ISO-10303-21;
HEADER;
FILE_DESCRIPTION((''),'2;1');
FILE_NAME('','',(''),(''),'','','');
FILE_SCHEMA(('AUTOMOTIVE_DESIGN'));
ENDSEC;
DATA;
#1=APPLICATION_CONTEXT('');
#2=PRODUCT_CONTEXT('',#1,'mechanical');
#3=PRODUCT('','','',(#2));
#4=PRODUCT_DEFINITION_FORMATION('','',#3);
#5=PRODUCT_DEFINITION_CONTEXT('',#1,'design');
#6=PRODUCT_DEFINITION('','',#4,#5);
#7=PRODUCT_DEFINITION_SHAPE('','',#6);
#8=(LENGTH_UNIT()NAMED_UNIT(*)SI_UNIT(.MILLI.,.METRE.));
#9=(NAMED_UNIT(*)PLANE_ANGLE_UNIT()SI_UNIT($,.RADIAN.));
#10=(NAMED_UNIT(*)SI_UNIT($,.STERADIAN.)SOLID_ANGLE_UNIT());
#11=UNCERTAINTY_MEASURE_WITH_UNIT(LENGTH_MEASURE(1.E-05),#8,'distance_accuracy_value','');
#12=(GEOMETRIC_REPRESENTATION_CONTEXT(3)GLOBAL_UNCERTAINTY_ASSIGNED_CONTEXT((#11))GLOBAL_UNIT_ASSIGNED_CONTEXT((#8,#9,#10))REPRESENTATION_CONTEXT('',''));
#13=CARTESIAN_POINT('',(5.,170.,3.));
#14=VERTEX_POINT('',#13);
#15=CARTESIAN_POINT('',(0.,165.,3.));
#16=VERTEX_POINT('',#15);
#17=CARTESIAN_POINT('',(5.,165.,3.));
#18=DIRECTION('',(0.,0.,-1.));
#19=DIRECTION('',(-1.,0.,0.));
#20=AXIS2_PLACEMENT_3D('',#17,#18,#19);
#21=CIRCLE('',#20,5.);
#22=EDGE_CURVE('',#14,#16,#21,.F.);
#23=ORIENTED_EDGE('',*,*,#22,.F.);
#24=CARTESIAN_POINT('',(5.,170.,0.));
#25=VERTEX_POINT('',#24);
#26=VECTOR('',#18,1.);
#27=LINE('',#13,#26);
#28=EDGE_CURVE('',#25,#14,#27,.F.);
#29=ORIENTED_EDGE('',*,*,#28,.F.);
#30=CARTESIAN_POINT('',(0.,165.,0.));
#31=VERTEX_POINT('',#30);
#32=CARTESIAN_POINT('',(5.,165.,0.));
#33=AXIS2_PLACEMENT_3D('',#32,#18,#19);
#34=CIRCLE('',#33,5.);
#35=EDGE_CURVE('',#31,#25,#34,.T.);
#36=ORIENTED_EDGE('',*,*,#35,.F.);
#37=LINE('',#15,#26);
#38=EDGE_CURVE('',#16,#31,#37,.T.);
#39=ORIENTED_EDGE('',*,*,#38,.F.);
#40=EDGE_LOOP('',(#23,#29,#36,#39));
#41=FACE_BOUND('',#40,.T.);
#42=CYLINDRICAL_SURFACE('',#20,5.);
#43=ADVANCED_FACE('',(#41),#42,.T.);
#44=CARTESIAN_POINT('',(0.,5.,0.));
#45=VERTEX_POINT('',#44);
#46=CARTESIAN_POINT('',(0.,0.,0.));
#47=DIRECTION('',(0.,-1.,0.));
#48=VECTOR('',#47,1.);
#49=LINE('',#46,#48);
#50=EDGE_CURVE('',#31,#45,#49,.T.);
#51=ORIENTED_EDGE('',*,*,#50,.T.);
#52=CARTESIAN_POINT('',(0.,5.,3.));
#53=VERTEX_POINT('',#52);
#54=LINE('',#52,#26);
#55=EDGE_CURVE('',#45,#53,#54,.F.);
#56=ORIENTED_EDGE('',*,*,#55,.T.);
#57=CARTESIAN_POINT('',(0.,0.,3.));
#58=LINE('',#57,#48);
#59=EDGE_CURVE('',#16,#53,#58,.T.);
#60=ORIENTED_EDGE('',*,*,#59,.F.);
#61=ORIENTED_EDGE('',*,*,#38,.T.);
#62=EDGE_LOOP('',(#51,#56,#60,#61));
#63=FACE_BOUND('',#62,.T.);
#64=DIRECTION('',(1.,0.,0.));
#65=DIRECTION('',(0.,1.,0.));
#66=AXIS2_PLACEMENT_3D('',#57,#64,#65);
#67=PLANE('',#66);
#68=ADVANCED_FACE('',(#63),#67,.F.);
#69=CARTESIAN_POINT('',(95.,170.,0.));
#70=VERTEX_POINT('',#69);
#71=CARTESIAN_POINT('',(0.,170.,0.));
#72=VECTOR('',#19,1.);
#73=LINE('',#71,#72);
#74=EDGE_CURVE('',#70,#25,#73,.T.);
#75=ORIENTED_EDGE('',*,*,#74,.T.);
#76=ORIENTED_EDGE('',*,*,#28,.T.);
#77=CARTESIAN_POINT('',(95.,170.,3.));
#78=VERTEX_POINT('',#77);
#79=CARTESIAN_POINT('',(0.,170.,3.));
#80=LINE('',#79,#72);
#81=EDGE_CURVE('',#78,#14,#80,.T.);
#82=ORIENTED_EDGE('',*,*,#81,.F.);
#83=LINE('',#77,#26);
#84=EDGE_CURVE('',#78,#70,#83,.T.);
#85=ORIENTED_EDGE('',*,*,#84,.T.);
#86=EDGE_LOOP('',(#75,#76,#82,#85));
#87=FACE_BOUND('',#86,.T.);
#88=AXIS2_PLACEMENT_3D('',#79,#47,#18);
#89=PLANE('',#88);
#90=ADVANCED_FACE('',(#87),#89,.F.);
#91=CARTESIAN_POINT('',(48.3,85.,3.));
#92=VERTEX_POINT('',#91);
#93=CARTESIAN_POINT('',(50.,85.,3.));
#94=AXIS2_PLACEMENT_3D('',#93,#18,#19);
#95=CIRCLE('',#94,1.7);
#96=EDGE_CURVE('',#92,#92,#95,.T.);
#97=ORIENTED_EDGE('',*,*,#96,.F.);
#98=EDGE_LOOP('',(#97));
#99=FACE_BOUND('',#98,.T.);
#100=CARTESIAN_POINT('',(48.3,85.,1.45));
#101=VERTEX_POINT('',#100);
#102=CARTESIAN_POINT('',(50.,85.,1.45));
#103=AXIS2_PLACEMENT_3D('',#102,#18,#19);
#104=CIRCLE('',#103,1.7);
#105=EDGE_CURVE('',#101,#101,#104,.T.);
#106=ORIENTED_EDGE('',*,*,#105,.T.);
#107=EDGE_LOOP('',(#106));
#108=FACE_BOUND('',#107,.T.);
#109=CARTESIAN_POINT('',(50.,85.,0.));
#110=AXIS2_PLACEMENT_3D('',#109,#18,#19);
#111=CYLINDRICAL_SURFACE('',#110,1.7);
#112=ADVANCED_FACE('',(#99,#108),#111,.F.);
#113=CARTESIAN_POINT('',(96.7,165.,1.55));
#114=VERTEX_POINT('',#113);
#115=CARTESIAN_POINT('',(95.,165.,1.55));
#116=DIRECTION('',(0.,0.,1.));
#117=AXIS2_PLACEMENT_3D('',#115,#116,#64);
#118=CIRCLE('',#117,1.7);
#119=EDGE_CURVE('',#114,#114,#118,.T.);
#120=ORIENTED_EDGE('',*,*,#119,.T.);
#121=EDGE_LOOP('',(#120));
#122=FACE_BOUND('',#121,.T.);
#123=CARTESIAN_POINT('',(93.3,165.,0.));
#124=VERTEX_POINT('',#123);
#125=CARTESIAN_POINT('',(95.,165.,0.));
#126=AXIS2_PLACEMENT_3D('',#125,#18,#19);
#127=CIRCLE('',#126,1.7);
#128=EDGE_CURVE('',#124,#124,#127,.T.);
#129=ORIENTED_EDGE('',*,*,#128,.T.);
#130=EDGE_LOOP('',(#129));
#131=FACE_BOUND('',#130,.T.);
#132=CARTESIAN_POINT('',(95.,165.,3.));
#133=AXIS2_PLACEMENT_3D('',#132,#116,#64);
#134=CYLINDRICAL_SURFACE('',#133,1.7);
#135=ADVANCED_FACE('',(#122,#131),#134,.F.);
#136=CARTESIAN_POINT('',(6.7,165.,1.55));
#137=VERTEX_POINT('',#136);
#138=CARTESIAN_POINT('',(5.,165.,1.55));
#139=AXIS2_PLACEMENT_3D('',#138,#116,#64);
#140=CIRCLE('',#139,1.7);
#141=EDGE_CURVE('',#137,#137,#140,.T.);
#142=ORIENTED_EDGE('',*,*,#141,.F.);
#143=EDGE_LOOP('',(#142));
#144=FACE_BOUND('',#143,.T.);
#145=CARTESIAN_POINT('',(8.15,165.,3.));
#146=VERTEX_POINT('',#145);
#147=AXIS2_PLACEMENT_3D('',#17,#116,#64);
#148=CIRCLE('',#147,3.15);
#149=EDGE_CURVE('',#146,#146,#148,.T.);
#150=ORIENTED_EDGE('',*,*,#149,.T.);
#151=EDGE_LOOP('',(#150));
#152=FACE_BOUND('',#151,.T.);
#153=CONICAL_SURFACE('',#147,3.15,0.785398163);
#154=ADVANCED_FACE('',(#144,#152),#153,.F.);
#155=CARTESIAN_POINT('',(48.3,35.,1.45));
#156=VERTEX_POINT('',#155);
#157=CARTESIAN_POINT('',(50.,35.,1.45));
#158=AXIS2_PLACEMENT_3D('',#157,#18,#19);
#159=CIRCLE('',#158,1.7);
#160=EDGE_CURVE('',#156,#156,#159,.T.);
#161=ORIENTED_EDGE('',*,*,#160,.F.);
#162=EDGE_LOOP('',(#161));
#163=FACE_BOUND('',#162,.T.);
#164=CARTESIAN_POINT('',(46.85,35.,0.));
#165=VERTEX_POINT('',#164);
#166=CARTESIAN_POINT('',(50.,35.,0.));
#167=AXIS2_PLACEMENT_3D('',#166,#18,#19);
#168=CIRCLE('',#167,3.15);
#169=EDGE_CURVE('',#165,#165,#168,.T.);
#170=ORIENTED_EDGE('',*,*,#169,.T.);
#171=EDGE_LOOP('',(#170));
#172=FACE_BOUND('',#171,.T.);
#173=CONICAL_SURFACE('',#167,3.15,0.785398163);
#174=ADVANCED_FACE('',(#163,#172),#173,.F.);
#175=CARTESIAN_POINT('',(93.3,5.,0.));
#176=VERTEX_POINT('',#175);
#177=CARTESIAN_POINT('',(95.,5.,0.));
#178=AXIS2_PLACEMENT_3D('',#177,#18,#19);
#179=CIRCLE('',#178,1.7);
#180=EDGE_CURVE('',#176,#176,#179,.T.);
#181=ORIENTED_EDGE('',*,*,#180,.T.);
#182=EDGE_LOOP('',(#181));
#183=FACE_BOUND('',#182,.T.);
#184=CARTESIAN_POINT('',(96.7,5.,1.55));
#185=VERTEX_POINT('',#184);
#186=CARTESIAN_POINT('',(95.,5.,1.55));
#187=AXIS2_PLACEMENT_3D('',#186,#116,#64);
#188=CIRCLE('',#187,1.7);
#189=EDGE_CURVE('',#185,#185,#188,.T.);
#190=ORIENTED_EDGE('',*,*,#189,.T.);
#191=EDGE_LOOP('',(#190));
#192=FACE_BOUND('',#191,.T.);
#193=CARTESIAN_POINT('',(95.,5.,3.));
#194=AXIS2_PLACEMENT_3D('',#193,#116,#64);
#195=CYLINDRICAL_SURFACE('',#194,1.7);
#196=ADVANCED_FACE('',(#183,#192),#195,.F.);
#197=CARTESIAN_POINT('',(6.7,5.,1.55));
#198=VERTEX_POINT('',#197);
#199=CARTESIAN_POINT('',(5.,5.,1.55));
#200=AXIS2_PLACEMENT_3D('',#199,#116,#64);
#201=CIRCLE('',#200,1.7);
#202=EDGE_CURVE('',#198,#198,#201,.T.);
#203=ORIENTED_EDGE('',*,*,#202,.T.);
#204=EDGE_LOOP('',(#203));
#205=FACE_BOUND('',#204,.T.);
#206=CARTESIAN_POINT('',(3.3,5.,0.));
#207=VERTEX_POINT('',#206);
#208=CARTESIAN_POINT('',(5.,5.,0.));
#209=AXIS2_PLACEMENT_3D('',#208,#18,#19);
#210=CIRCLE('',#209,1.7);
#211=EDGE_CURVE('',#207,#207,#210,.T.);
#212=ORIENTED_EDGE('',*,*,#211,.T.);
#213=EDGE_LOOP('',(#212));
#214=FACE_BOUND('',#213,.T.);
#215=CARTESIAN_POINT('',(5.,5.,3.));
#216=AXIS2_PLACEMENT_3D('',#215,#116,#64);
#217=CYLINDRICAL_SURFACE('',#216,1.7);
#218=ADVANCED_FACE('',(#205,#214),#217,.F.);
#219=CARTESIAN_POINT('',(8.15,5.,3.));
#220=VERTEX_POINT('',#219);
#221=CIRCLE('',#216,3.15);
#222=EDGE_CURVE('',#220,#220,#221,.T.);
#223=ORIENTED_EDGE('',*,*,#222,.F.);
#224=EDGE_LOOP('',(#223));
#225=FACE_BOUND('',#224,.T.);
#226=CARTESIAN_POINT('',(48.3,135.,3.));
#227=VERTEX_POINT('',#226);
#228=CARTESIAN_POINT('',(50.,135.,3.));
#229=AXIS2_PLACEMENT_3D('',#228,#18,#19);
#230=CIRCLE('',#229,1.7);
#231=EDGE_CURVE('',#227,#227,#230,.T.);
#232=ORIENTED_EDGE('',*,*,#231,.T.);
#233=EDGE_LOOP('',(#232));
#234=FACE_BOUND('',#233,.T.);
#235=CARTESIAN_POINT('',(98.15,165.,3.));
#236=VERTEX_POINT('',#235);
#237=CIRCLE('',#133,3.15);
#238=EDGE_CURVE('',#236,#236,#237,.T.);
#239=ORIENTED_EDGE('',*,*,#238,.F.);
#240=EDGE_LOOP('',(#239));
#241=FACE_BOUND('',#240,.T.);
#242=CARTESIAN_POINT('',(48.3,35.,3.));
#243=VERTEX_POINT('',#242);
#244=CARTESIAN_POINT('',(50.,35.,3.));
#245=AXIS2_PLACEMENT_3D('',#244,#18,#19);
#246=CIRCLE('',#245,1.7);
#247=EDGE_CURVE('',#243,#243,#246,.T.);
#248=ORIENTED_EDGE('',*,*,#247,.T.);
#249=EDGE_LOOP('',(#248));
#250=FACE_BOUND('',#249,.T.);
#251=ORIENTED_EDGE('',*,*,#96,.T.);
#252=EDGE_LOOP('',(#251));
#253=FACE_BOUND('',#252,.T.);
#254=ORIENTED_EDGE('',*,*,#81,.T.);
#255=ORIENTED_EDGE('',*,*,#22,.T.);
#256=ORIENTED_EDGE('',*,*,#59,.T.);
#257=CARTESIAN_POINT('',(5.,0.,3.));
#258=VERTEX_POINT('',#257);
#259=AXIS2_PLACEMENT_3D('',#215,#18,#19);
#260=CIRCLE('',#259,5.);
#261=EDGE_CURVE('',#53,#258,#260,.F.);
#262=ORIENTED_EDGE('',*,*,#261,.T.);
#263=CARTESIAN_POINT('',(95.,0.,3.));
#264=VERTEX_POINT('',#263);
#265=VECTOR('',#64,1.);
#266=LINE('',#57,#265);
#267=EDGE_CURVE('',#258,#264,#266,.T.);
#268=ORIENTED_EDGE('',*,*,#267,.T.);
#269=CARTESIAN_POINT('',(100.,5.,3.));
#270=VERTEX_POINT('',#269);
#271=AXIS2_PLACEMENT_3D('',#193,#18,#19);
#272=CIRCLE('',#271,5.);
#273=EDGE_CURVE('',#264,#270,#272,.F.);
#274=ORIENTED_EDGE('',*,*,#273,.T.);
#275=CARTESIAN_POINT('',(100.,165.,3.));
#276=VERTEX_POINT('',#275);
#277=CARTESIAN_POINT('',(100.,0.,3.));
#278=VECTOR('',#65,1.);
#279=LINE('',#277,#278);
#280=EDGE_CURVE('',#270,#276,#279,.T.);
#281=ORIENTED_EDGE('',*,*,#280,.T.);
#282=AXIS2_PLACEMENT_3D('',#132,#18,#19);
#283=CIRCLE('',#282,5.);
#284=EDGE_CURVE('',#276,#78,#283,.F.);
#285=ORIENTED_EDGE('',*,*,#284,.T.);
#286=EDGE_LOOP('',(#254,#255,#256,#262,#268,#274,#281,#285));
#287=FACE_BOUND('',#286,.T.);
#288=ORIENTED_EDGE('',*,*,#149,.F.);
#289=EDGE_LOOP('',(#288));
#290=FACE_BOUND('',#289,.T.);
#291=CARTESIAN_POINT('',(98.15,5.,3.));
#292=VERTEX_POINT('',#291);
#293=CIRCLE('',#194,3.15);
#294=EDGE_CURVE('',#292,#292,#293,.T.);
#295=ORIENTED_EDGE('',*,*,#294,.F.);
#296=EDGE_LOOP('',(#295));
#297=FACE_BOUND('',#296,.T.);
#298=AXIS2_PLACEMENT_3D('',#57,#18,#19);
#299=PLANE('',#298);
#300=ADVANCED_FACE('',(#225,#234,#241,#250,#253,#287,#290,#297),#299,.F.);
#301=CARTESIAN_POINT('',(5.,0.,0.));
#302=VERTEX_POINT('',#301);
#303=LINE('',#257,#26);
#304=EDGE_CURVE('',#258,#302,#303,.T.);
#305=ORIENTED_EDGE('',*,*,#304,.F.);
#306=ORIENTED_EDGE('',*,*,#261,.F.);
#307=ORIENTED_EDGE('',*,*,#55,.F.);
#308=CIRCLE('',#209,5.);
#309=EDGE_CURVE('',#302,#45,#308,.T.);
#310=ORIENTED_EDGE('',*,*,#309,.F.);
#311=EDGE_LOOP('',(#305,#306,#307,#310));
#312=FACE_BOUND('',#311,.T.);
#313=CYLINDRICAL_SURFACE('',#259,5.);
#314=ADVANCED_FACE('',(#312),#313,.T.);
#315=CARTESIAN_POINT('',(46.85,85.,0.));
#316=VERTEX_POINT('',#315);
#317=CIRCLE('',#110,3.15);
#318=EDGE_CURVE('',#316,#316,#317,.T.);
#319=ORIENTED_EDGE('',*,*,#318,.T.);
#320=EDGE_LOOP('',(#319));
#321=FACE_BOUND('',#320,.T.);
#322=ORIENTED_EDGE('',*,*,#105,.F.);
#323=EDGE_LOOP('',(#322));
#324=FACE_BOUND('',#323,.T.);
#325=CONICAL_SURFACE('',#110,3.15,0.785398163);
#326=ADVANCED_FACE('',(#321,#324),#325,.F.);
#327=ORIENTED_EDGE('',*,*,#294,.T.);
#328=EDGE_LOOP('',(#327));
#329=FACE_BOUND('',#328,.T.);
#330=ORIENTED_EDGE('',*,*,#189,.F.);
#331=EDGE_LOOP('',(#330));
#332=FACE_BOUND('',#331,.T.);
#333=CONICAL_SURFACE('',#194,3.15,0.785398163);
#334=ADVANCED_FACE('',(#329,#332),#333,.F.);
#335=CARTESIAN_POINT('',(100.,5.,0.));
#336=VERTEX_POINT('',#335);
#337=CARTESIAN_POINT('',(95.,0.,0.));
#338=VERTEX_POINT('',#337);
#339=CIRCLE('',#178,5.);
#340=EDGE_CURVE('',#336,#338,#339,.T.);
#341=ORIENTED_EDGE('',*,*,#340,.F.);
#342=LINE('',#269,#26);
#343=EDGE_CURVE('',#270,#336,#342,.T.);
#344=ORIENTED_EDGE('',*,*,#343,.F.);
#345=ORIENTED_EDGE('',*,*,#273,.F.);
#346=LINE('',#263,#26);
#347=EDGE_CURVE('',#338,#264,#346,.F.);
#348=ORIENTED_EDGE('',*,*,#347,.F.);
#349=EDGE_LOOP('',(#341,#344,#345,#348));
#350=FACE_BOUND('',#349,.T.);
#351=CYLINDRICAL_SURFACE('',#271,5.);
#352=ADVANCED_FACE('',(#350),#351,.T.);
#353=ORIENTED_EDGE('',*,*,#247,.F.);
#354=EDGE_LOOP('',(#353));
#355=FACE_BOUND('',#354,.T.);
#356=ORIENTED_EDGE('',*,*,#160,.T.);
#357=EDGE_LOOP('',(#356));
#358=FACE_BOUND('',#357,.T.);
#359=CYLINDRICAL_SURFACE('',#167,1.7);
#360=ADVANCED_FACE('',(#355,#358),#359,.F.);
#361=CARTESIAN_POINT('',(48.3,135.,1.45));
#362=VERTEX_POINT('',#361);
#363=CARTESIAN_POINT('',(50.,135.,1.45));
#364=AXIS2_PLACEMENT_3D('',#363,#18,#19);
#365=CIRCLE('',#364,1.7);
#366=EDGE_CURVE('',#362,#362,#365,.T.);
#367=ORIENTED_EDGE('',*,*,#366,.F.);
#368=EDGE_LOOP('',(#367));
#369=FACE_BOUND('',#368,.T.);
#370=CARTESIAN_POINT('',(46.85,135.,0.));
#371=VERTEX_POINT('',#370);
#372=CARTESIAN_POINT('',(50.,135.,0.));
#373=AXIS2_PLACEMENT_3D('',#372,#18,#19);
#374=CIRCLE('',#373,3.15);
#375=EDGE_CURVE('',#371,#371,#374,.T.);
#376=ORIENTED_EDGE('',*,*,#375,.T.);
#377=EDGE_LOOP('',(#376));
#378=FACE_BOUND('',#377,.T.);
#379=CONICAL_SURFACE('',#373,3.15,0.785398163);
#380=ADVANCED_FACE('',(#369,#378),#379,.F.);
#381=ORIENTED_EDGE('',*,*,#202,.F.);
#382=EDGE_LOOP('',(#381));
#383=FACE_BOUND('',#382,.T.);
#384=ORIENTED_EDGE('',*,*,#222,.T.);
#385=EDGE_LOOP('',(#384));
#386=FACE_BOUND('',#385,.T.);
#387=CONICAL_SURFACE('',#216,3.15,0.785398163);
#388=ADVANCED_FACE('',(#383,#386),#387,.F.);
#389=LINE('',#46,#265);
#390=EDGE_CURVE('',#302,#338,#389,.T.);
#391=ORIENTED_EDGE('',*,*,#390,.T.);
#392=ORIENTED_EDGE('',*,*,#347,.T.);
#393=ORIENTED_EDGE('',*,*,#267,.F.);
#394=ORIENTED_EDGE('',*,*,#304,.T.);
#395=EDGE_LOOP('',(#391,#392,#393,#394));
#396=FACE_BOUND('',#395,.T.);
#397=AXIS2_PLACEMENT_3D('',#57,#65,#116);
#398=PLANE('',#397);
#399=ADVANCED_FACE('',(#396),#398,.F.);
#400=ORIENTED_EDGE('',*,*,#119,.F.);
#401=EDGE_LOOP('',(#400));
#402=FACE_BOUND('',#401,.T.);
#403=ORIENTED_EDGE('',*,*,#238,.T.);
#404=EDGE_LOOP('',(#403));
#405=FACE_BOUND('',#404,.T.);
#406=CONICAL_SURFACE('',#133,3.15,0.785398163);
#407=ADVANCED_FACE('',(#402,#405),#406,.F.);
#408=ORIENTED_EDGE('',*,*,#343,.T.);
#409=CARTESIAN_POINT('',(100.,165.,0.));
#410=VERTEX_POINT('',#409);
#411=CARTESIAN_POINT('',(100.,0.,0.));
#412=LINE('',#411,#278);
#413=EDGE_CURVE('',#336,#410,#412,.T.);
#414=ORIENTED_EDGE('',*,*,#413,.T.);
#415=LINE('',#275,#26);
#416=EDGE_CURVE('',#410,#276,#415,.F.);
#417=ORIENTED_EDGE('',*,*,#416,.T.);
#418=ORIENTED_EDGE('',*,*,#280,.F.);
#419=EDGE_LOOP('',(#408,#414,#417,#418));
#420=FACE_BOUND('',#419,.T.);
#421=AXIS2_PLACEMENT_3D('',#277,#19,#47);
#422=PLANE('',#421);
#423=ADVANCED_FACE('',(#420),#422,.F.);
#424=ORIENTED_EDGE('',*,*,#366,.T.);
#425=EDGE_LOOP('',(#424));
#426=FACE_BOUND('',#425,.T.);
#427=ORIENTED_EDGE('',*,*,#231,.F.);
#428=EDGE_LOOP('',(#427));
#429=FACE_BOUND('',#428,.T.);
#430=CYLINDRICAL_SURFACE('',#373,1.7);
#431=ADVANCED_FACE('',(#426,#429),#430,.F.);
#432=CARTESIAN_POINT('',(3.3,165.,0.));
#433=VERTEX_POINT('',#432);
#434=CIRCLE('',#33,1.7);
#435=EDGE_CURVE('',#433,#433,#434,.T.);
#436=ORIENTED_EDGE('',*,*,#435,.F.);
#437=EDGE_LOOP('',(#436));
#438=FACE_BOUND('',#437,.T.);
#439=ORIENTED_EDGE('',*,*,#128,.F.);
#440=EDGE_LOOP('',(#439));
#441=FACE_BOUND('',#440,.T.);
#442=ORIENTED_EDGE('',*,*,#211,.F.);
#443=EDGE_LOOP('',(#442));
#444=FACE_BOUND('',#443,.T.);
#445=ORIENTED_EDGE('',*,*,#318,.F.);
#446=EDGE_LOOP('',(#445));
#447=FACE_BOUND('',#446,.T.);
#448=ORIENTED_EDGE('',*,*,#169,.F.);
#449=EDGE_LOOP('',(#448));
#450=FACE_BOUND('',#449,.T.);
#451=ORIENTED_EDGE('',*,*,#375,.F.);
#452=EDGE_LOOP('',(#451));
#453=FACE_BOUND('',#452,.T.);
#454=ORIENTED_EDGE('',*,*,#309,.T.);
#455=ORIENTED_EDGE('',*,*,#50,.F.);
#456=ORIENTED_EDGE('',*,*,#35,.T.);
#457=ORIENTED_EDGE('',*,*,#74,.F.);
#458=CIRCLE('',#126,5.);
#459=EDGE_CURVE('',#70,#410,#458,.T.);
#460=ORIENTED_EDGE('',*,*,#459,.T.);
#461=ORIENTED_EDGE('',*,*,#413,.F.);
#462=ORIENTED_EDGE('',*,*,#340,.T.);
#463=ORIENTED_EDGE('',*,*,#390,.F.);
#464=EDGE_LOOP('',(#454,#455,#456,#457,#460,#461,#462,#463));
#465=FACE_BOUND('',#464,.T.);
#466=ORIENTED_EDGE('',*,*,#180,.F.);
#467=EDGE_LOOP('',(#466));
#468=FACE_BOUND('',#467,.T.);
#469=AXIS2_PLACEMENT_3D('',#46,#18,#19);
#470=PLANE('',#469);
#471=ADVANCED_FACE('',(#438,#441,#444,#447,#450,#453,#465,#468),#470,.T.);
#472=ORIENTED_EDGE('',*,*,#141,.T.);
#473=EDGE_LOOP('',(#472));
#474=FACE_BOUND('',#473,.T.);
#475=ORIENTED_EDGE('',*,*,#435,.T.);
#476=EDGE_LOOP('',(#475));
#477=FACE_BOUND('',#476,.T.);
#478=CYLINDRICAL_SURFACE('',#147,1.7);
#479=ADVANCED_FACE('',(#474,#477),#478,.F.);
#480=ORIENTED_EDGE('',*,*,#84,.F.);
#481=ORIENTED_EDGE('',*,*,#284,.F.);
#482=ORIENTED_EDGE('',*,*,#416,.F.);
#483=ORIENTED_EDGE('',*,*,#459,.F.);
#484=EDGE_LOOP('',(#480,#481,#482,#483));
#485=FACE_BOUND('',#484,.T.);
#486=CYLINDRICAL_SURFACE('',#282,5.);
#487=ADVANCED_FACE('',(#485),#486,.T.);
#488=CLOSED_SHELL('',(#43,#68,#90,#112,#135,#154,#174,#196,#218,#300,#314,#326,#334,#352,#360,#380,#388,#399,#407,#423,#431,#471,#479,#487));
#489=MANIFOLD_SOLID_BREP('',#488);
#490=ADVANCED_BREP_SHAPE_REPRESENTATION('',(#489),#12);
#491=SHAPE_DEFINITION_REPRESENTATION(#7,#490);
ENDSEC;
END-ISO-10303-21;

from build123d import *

# Parameters (mm, degrees)
SKETCH1_W                                       = 100
SKETCH1_H                                       = 170
BOSS_EXTRUDE1_DEPTH                             = 3
CSK_FOR_M3_FLAT_HEAD_MACHINE_SCREW1_D           = 3.4
CSK_FOR_M3_FLAT_HEAD_MACHINE_SCREW1_DEPTH       = 7.5
CSK_FOR_M3_FLAT_HEAD_MACHINE_SCREW1_CSINK_D     = 6.3
CSK_FOR_M3_FLAT_HEAD_MACHINE_SCREW1_CSINK_ANGLE = 90
CSK_FOR_M3_FLAT_HEAD_MACHINE_SCREW1_TIP         = 1.021463052
FILLET1_R                                       = 5
CSK_FOR_M3_FLAT_HEAD_MACHINE_SCREW2_D           = 3.4
CSK_FOR_M3_FLAT_HEAD_MACHINE_SCREW2_DEPTH       = 7.5
CSK_FOR_M3_FLAT_HEAD_MACHINE_SCREW2_CSINK_D     = 6.3
CSK_FOR_M3_FLAT_HEAD_MACHINE_SCREW2_CSINK_ANGLE = 90
CSK_FOR_M3_FLAT_HEAD_MACHINE_SCREW2_TIP         = 1.021463052


with BuildPart() as part:
    # Sketch1 → Boss-Extrude1 (new body)
    with BuildSketch(Plane.XY):
        with Locations((50, 85)):
            Rectangle(SKETCH1_W, SKETCH1_H)
    extrude(amount=BOSS_EXTRUDE1_DEPTH)

    # CSK for M3 Flat Head Machine Screw1
    with Locations(Plane.XY.offset(3)):
        with Locations((5, 165), (95, 165), (95, 5), (5, 5)):
            CounterSinkHole(CSK_FOR_M3_FLAT_HEAD_MACHINE_SCREW1_D / 2, CSK_FOR_M3_FLAT_HEAD_MACHINE_SCREW1_CSINK_D / 2, depth=CSK_FOR_M3_FLAT_HEAD_MACHINE_SCREW1_DEPTH, counter_sink_angle=CSK_FOR_M3_FLAT_HEAD_MACHINE_SCREW1_CSINK_ANGLE)
            with Locations((0, 0, -(CSK_FOR_M3_FLAT_HEAD_MACHINE_SCREW1_DEPTH + CSK_FOR_M3_FLAT_HEAD_MACHINE_SCREW1_TIP / 2))):  # 118° drill point
                Cone(0, CSK_FOR_M3_FLAT_HEAD_MACHINE_SCREW1_D / 2, CSK_FOR_M3_FLAT_HEAD_MACHINE_SCREW1_TIP, mode=Mode.SUBTRACT)

    # Fillet1
    fillet1_edges = [part.edges().sort_by_distance(p)[0] for p in [
        (0, 170, 1.5),
        (100, 170, 1.5),
        (100, 0, 1.5),
        (0, 0, 1.5),
    ]]
    fillet(fillet1_edges, radius=FILLET1_R)

    # CSK for M3 Flat Head Machine Screw2
    with Locations(Plane(origin=(0, 0, 0), x_dir=(-1, 0, 0), z_dir=(0, 0, -1))):
        with Locations((-50, 135), (-50, 85), (-50, 35)):
            CounterSinkHole(CSK_FOR_M3_FLAT_HEAD_MACHINE_SCREW2_D / 2, CSK_FOR_M3_FLAT_HEAD_MACHINE_SCREW2_CSINK_D / 2, depth=CSK_FOR_M3_FLAT_HEAD_MACHINE_SCREW2_DEPTH, counter_sink_angle=CSK_FOR_M3_FLAT_HEAD_MACHINE_SCREW2_CSINK_ANGLE)
            with Locations((0, 0, -(CSK_FOR_M3_FLAT_HEAD_MACHINE_SCREW2_DEPTH + CSK_FOR_M3_FLAT_HEAD_MACHINE_SCREW2_TIP / 2))):  # 118° drill point
                Cone(0, CSK_FOR_M3_FLAT_HEAD_MACHINE_SCREW2_D / 2, CSK_FOR_M3_FLAT_HEAD_MACHINE_SCREW2_TIP, mode=Mode.SUBTRACT)


solid = part.part
